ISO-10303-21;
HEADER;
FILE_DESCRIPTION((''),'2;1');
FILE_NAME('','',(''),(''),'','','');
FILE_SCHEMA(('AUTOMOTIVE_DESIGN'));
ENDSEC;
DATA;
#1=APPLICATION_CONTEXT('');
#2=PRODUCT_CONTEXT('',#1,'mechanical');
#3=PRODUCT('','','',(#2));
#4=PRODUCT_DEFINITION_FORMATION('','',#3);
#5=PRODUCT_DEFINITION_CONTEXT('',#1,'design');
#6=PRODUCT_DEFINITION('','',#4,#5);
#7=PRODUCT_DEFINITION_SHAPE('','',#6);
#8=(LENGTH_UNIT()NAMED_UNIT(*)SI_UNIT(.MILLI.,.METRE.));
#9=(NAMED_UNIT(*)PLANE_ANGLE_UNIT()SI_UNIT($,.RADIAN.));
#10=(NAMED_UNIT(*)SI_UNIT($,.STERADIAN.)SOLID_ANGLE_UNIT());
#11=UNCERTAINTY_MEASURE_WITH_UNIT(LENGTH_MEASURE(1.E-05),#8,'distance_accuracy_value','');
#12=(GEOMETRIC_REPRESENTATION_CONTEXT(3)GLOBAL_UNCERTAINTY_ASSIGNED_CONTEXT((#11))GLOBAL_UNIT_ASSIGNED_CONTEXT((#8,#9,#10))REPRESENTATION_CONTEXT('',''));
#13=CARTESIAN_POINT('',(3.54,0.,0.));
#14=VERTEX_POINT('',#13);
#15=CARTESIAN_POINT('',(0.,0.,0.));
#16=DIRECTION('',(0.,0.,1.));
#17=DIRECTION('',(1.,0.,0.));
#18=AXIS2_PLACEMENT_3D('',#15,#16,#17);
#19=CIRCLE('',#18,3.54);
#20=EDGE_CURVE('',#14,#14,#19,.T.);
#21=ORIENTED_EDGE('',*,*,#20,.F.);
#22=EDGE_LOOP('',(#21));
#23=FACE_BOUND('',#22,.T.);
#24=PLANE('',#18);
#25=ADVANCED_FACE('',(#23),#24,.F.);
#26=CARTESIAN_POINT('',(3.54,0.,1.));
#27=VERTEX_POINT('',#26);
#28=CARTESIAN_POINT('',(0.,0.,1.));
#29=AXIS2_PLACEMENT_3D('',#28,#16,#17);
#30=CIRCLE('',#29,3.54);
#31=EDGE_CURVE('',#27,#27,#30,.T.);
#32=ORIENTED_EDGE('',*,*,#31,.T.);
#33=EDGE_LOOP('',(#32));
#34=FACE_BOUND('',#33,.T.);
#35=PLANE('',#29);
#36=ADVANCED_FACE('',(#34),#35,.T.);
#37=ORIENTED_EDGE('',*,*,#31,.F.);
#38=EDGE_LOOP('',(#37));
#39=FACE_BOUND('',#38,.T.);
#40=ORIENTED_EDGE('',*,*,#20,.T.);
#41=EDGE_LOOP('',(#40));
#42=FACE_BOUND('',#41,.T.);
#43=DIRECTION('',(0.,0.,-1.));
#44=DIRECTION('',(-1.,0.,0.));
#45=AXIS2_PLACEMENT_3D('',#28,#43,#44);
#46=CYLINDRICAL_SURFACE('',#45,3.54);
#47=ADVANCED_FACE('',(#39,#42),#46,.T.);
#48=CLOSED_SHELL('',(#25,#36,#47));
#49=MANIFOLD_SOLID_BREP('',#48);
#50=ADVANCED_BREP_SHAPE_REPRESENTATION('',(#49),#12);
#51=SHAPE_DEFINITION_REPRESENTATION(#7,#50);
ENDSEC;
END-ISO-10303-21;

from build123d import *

# Parameters (mm, degrees)
CROQUIS1_R              = 3.54
SALIENTE_EXTRUIR1_DEPTH = 1


with BuildPart() as part:
    # Croquis1 → Saliente-Extruir1 (new body)
    with BuildSketch(Plane.XY):
        Circle(CROQUIS1_R)
    extrude(amount=SALIENTE_EXTRUIR1_DEPTH)


solid = part.part
